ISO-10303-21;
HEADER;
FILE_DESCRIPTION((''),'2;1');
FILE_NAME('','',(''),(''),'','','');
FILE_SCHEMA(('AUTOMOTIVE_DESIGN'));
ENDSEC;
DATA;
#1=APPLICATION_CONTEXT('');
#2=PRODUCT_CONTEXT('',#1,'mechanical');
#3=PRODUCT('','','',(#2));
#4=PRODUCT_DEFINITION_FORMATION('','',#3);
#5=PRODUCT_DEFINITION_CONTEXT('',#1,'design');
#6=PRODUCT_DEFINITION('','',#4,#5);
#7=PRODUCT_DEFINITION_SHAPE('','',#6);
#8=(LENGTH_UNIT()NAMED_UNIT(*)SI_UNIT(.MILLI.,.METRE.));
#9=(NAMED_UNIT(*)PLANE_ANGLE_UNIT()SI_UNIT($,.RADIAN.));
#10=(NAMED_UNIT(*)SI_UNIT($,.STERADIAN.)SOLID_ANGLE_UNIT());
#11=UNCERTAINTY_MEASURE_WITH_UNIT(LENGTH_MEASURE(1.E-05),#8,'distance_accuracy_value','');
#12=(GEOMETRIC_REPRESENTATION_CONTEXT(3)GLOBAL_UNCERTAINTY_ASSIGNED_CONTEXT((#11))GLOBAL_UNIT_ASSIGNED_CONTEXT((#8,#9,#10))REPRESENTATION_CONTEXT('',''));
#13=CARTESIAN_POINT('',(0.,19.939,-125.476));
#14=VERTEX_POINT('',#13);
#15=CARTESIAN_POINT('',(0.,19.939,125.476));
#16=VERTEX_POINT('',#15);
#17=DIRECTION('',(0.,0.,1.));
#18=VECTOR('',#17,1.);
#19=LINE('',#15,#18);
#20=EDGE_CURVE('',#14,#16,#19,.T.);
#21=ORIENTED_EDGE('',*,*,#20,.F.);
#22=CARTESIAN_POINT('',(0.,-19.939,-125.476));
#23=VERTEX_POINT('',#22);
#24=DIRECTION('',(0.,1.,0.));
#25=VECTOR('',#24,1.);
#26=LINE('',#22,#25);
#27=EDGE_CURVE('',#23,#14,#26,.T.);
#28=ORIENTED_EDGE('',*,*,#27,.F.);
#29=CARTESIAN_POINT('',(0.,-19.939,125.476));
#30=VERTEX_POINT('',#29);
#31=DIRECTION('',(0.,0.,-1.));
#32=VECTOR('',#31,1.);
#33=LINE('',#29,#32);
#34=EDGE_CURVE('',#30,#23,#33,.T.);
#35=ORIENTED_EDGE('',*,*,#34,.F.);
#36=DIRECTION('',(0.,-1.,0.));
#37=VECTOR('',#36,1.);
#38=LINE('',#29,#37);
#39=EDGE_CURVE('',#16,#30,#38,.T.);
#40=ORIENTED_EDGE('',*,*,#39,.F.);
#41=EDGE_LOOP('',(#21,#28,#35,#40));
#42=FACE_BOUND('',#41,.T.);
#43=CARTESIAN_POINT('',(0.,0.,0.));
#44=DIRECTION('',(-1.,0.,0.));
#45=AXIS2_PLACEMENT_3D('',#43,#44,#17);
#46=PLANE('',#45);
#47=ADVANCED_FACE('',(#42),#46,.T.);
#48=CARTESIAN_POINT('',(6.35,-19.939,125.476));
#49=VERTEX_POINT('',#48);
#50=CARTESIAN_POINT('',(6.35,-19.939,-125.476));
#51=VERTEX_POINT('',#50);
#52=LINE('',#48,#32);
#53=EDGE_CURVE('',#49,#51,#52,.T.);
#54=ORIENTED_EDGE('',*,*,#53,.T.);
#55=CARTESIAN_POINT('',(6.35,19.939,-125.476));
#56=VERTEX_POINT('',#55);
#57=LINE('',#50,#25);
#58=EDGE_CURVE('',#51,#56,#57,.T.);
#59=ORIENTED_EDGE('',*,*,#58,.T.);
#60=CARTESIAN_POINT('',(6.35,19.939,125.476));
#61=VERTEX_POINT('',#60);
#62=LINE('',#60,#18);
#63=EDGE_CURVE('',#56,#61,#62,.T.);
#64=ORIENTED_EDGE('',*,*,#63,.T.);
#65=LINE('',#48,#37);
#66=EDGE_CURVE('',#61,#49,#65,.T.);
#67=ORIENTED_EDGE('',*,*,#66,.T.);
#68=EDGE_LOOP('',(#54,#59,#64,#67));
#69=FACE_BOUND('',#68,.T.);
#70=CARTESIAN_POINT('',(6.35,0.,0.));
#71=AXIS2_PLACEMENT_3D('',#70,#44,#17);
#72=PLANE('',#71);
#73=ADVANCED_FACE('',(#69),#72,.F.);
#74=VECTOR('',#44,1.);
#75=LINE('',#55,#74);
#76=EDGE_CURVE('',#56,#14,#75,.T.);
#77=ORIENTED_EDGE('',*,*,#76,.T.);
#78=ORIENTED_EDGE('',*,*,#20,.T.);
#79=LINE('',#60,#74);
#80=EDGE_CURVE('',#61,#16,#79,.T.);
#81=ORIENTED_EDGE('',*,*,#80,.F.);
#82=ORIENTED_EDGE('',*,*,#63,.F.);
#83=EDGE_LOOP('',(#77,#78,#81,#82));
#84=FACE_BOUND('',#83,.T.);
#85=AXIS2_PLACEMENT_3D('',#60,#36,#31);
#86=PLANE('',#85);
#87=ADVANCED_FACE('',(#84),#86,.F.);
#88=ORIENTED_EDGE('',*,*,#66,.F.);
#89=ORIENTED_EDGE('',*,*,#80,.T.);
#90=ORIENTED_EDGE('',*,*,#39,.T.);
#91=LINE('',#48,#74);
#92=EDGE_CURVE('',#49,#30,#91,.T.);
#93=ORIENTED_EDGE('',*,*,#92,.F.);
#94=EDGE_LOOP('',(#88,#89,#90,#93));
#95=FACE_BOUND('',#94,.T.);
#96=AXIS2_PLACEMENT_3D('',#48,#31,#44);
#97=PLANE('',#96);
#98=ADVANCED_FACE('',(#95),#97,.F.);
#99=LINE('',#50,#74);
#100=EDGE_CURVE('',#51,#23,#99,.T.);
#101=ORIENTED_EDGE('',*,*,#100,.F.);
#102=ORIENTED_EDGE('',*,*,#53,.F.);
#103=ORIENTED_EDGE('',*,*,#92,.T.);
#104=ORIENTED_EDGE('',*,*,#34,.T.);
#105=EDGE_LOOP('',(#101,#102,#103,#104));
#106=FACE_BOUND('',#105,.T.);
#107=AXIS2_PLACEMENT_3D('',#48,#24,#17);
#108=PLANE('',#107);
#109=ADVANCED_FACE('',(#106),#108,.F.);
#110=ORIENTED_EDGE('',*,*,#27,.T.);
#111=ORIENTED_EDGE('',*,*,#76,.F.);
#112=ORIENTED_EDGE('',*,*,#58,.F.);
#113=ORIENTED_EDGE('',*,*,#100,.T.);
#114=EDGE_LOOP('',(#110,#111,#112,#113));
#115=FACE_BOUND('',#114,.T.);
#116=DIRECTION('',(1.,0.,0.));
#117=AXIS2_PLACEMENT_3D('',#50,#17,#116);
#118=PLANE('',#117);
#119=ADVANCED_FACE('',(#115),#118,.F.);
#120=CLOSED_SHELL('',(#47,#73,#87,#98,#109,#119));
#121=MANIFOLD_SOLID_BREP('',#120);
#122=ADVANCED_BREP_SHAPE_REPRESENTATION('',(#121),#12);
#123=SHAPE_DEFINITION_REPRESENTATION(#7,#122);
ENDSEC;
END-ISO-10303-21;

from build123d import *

# Parameters (mm, degrees)
SKETCH1_W           = 250.952
SKETCH1_H           = 39.878
BOSS_EXTRUDE1_DEPTH = 6.35


with BuildPart() as part:
    # Sketch1 → Boss-Extrude1 (new body)
    with BuildSketch(Plane(origin=(0, 0, 0), x_dir=(0, 0, -1), z_dir=(1, 0, 0))):
        Rectangle(SKETCH1_W, SKETCH1_H)
    extrude(amount=BOSS_EXTRUDE1_DEPTH)


solid = part.part
